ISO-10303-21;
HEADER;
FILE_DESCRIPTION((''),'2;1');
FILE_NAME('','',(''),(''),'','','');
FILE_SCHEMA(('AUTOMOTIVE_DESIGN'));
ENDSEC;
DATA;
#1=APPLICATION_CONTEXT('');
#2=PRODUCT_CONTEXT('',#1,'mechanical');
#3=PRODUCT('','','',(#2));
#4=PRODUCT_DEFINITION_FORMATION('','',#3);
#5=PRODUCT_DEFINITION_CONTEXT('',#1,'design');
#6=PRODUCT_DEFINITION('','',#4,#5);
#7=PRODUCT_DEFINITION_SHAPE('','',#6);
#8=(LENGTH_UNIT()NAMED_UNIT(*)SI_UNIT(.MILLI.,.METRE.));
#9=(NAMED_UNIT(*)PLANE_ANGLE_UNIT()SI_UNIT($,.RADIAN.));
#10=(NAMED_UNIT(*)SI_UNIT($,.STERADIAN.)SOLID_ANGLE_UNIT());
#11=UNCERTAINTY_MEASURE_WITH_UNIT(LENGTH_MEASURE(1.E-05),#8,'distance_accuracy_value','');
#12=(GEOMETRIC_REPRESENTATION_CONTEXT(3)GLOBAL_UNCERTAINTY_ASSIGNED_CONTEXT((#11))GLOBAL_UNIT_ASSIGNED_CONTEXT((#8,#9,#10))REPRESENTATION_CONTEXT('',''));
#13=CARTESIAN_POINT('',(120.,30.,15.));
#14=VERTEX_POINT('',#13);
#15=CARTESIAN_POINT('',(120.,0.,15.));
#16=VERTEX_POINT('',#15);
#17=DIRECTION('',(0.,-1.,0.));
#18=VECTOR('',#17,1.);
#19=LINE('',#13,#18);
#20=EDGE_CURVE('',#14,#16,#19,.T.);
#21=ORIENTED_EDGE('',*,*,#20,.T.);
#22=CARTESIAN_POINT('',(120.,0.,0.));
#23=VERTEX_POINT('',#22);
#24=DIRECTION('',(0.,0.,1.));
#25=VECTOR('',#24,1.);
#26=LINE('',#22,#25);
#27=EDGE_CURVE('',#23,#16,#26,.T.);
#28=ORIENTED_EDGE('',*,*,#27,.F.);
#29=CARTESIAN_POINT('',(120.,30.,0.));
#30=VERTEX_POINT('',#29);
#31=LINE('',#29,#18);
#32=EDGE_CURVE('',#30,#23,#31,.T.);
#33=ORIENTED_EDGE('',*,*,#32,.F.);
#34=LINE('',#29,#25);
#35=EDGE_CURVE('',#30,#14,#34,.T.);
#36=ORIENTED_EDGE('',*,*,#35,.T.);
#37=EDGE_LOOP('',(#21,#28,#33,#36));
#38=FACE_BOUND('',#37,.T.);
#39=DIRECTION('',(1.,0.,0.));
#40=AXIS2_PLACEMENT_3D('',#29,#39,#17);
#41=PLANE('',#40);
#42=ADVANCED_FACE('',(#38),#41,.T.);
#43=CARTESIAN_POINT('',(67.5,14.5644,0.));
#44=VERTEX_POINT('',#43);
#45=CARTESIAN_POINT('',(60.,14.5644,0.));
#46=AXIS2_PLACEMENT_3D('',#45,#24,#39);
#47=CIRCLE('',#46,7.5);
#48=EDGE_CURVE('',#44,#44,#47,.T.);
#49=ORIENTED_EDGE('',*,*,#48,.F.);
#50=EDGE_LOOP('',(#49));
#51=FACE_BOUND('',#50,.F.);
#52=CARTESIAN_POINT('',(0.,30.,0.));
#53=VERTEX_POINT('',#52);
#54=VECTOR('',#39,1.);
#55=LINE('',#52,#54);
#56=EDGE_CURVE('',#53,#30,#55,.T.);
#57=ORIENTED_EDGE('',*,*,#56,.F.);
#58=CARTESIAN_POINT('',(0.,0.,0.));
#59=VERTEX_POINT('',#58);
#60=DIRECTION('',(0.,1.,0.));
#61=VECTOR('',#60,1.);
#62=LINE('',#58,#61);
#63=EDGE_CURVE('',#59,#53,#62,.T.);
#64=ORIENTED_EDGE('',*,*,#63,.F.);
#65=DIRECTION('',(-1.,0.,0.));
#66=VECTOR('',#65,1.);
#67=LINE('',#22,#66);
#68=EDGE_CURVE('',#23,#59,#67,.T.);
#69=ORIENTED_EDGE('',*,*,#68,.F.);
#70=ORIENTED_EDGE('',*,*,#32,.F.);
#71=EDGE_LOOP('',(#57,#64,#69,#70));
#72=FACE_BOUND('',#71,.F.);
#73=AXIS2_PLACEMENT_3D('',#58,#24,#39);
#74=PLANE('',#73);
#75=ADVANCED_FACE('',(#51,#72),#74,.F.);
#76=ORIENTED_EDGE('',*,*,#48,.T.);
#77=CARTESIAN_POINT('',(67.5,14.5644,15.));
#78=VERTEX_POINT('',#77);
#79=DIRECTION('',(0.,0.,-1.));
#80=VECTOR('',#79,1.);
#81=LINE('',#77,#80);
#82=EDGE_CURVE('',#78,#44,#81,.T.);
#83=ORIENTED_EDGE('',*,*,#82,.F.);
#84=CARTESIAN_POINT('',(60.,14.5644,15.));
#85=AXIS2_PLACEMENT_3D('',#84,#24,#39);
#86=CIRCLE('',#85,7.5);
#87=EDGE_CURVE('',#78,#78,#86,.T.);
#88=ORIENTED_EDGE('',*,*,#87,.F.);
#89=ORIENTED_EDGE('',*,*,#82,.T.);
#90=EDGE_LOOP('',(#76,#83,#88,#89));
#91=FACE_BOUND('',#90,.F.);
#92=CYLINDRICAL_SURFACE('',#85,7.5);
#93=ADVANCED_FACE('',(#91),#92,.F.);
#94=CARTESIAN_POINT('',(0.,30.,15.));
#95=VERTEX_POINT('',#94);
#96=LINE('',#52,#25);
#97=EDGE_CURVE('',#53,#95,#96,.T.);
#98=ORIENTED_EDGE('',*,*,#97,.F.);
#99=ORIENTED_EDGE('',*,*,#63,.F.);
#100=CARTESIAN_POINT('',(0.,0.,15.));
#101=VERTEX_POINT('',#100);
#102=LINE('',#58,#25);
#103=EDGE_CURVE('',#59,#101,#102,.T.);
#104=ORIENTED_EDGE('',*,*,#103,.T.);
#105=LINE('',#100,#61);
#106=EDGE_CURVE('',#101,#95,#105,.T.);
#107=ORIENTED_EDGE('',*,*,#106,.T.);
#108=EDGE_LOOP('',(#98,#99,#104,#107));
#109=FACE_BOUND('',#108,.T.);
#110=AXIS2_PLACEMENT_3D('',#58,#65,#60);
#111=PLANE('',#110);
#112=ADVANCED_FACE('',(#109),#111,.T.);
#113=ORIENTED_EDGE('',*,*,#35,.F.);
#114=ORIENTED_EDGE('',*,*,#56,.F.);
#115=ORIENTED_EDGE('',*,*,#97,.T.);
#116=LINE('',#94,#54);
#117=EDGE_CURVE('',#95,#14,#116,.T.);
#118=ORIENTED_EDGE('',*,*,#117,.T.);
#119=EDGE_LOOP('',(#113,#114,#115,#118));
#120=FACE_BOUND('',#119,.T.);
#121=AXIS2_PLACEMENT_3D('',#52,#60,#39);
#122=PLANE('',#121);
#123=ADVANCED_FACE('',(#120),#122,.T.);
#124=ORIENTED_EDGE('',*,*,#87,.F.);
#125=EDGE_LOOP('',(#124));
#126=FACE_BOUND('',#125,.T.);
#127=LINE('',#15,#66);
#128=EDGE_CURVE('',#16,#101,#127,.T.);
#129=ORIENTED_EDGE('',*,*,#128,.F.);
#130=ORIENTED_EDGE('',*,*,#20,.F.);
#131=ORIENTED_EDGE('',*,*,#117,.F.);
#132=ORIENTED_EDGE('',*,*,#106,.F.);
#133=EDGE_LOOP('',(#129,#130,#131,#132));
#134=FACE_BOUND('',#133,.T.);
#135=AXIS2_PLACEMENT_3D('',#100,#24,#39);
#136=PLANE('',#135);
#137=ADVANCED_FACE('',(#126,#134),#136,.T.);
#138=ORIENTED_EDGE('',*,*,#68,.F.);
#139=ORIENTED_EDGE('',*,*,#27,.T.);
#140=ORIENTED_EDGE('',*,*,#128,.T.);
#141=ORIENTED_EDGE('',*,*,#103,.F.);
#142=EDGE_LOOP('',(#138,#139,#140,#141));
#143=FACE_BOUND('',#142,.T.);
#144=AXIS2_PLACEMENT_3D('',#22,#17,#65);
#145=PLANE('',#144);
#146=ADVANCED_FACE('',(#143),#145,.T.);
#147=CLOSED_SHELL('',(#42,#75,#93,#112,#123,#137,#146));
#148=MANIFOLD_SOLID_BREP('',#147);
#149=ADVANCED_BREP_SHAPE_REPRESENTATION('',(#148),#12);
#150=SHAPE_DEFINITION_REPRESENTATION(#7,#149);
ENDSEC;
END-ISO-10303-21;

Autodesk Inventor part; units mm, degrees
ref_plane "YZ Plane" through (0, 0, 0) normal (1, 0, 0) x (0, 1, 0)
ref_plane "XZ Plane" through (0, 0, 0) normal (0, 1, 0) x (-1, 0, 0)
ref_plane "XY Plane" through (0, 0, 0) normal (0, 0, 1) x (1, 0, 0)
sketch "스케치1" plane through (0, 0, 0) normal (0, 0, 1) x (1, 0, 0)
  line L0 (0, 30) -> (120, 30)
  line L1 (120, 30) -> (120, 0)
  line L2 (120, 0) -> (0, 0)
  line L3 (0, 0) -> (0, 30)
  dimension "d0" = 120
  dimension "d1" = 30
extrude "돌출1" add sketch "스케치1" along normal blind 15
sketch "스케치2" plane through (0, 0, 15) normal (0, 0, 1) x (1, 0, 0)
  circle A0 centre (30, 15) radius 7.5
  line L0 (120, 30) -> (0, 30) projected
  point P0 (0, 0)
  dimension "d4" = 15
  dimension "d5" = 15
sketch "스케치3" plane through (0, 0, 15) normal (0, 0, 1) x (1, 0, 0)
  circle A0 centre (60, 14.5644) radius 7.5
  line L0 (0, 30) -> (0, 0) projected
  dimension "d8" = 60
extrude "돌출2" cut sketch "스케치3" against normal up to surface (15 mm away)
properties part number "lever1.2"
